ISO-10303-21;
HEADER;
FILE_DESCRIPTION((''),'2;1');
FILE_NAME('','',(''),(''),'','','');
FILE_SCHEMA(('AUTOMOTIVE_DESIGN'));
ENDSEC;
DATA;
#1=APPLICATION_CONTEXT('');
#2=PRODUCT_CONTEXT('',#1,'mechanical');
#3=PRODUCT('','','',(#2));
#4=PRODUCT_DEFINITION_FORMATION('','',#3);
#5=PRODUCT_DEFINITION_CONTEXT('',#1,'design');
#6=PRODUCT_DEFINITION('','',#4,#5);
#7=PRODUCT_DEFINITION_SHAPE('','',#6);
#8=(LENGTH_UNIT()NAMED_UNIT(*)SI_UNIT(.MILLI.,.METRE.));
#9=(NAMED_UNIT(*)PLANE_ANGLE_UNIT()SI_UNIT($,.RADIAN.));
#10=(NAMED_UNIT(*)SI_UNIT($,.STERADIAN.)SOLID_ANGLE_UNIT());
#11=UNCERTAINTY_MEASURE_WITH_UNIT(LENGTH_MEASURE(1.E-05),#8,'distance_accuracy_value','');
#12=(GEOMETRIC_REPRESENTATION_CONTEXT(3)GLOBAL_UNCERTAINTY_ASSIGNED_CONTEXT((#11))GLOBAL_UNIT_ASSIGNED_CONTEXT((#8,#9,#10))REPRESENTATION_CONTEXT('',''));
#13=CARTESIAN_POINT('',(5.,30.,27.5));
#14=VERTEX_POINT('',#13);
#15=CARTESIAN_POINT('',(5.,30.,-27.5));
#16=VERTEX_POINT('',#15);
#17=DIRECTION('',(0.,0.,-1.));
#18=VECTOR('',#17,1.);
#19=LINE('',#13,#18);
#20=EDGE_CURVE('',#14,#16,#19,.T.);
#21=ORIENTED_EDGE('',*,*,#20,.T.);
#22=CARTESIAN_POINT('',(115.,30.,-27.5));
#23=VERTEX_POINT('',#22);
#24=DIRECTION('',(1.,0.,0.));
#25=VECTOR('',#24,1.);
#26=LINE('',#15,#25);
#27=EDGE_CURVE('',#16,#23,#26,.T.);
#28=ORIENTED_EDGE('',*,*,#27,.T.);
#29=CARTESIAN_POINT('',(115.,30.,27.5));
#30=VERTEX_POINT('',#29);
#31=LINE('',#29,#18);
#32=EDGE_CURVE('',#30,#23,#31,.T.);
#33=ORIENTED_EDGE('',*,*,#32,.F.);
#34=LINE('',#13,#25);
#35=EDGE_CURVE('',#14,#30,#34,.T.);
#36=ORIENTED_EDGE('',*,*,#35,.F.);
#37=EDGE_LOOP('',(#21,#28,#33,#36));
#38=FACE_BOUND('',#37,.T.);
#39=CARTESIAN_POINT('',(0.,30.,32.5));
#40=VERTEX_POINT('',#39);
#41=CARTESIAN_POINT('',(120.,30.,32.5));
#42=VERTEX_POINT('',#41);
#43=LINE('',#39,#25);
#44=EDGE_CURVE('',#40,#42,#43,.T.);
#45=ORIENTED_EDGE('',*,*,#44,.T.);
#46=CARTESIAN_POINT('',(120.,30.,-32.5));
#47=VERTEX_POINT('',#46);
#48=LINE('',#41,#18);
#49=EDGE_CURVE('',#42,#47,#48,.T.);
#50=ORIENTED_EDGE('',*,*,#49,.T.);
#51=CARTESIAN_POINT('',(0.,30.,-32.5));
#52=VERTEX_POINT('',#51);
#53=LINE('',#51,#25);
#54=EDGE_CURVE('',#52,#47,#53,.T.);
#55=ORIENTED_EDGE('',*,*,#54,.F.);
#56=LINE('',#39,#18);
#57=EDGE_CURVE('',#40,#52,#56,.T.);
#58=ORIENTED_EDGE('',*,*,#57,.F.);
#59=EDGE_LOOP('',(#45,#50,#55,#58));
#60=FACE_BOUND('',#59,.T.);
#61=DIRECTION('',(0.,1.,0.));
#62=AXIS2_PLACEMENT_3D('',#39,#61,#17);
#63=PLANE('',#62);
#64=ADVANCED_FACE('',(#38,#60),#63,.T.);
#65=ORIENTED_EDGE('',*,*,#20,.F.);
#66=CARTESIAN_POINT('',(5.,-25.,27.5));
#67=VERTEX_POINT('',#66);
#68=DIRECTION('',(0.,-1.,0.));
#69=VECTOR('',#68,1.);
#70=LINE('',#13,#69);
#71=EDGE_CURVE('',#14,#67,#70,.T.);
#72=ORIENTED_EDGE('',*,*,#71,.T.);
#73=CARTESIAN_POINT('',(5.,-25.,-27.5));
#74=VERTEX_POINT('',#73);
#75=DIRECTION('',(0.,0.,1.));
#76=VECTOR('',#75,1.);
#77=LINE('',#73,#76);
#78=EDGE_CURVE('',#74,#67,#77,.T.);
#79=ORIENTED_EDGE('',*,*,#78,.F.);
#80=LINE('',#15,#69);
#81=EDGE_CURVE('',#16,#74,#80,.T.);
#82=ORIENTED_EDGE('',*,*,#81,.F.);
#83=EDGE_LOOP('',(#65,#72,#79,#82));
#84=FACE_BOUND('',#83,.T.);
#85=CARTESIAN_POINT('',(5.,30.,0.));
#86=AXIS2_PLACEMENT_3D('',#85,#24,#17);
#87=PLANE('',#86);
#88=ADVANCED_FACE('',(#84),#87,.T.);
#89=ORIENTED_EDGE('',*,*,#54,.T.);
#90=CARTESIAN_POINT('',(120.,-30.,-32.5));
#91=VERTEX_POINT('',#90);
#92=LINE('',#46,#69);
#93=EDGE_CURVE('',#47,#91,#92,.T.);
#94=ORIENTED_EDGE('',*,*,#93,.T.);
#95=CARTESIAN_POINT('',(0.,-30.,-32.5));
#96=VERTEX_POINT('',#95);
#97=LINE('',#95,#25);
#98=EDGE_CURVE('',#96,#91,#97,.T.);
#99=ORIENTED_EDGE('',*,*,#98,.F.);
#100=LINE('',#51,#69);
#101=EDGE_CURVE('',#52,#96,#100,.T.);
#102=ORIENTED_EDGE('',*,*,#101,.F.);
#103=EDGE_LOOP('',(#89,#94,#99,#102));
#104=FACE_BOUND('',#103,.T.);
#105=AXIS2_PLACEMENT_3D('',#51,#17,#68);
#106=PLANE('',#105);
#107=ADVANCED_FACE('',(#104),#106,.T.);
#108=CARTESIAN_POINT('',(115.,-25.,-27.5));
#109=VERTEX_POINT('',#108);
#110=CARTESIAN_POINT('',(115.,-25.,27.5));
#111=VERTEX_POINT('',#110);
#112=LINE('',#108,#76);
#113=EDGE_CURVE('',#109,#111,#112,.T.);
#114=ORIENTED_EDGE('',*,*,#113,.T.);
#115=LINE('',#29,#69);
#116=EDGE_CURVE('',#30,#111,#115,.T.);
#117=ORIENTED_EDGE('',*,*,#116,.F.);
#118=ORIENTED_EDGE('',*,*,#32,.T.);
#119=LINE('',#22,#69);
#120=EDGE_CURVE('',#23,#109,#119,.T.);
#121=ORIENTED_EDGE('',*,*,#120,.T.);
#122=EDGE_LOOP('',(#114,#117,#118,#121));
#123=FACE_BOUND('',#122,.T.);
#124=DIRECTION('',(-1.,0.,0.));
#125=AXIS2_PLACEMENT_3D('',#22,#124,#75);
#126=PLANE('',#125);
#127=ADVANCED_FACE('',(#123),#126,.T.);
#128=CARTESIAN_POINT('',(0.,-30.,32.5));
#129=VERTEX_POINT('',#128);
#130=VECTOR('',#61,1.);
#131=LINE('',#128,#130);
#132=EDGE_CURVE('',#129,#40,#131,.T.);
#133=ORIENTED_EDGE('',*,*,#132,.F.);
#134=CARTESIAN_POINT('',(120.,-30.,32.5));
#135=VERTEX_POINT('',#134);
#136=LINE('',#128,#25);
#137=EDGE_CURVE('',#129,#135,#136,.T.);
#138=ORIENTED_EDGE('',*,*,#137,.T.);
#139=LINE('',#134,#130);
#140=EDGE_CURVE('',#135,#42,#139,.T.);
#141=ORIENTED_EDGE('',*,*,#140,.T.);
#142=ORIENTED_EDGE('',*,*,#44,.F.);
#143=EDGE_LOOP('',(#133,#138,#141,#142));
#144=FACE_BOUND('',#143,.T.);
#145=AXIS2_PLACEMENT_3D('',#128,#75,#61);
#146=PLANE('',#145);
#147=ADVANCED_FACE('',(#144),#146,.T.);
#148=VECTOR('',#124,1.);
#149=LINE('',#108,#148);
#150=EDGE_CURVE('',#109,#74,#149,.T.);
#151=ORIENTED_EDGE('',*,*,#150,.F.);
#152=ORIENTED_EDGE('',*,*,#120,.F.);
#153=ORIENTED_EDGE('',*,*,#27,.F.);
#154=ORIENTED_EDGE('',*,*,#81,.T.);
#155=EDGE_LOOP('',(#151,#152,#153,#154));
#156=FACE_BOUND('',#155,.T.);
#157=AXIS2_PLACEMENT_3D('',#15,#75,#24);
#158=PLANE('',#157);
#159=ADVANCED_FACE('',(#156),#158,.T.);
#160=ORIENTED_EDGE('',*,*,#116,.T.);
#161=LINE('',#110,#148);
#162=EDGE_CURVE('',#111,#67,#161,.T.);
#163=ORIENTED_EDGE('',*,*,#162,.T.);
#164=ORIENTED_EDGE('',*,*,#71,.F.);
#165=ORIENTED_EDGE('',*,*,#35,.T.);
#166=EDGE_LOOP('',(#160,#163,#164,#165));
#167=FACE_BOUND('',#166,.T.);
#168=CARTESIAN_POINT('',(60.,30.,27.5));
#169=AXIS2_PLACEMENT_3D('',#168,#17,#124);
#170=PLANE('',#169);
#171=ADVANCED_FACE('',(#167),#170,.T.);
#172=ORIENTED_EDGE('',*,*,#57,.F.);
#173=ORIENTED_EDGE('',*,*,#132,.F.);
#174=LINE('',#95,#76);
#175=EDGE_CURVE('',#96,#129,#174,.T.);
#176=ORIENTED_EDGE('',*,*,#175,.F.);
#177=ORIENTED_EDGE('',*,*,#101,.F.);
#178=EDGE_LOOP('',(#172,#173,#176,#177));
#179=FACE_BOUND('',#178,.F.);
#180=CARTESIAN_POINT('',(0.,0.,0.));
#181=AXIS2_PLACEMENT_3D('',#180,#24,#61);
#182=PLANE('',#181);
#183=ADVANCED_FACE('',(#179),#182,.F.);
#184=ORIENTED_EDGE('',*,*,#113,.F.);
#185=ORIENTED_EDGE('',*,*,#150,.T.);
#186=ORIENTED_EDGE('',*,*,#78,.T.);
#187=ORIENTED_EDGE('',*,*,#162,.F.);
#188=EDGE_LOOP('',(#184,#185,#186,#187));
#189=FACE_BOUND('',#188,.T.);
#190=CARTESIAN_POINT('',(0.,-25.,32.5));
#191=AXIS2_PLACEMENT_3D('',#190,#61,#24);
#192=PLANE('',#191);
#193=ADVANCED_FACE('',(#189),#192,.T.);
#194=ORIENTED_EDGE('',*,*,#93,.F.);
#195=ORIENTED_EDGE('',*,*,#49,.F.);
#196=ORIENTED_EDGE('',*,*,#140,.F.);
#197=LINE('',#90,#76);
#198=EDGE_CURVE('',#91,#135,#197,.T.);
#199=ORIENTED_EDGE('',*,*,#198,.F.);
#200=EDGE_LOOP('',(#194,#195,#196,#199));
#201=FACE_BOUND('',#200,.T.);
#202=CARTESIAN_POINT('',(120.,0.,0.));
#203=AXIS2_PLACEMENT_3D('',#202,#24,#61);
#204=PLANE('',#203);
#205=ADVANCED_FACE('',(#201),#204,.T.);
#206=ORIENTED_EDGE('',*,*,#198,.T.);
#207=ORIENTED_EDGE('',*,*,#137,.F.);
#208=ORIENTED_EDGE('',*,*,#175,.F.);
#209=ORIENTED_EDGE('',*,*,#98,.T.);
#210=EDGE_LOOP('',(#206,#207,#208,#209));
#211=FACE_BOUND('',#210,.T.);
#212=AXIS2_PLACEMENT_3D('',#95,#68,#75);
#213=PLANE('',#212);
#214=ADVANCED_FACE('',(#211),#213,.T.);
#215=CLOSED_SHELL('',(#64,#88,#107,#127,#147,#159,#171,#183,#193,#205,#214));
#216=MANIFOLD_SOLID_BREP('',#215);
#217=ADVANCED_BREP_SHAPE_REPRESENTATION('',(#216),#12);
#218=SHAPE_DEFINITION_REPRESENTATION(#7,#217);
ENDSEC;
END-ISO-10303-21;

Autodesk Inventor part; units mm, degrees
ref_plane "YZ Plane" through (0, 0, 0) normal (1, 0, 0) x (0, 1, 0)
ref_plane "XZ Plane" through (0, 0, 0) normal (0, 1, 0) x (-1, 0, 0)
ref_plane "XY Plane" through (0, 0, 0) normal (0, 0, 1) x (1, 0, 0)
sketch "Esboço1" plane through (0, 0, 0) normal (1, 0, 0) x (0, 1, 0)
  line L0 (-30, 32.5) -> (30, 32.5)
  line L1 (30, 32.5) -> (30, -32.5)
  line L2 (30, -32.5) -> (-30, -32.5)
  line L3 (-30, -32.5) -> (-30, 32.5)
  line L4 (-30, 32.5) -> (30, -32.5) construction
  line L5 (30, 32.5) -> (-30, -32.5) construction
  point P0 (0, 0)
  dimension "d0" = 60
  dimension "d1" = 65
extrude "Extrusão1" add sketch "Esboço1" along normal blind 120
sketch "Esboço2" plane through (0, 30, 32.5) normal (0, 1, 0) x (1, 0, 0)
  line L0 (0, 32.5) -> (120, 32.5)
  line L1 (120, 65) -> (120, 0) projected
  line L2 (0, 0) -> (120, 0) projected
  line L3 (60, 0) -> (60, 65)
  line L4 (0, 65) -> (120, 65) projected
  line L5 (115, 5) -> (5, 5)
  line L6 (5, 5) -> (5, 60)
  line L7 (5, 60) -> (115, 60)
  line L8 (115, 60) -> (115, 5)
  line L9 (115, 5) -> (5, 60) construction
  line L10 (5, 5) -> (115, 60) construction
  point P0 (60, 32.5)
  dimension "d4" = 110
  dimension "d5" = 55
extrude "Extrusão2" cut sketch "Esboço2" against normal blind 55 contours L6 L7 L3 L0 | L0 L3 L5 L6 | L3 L7 L8 L0 | L0 L8 L5 L3
properties part number "ContraPeso"
